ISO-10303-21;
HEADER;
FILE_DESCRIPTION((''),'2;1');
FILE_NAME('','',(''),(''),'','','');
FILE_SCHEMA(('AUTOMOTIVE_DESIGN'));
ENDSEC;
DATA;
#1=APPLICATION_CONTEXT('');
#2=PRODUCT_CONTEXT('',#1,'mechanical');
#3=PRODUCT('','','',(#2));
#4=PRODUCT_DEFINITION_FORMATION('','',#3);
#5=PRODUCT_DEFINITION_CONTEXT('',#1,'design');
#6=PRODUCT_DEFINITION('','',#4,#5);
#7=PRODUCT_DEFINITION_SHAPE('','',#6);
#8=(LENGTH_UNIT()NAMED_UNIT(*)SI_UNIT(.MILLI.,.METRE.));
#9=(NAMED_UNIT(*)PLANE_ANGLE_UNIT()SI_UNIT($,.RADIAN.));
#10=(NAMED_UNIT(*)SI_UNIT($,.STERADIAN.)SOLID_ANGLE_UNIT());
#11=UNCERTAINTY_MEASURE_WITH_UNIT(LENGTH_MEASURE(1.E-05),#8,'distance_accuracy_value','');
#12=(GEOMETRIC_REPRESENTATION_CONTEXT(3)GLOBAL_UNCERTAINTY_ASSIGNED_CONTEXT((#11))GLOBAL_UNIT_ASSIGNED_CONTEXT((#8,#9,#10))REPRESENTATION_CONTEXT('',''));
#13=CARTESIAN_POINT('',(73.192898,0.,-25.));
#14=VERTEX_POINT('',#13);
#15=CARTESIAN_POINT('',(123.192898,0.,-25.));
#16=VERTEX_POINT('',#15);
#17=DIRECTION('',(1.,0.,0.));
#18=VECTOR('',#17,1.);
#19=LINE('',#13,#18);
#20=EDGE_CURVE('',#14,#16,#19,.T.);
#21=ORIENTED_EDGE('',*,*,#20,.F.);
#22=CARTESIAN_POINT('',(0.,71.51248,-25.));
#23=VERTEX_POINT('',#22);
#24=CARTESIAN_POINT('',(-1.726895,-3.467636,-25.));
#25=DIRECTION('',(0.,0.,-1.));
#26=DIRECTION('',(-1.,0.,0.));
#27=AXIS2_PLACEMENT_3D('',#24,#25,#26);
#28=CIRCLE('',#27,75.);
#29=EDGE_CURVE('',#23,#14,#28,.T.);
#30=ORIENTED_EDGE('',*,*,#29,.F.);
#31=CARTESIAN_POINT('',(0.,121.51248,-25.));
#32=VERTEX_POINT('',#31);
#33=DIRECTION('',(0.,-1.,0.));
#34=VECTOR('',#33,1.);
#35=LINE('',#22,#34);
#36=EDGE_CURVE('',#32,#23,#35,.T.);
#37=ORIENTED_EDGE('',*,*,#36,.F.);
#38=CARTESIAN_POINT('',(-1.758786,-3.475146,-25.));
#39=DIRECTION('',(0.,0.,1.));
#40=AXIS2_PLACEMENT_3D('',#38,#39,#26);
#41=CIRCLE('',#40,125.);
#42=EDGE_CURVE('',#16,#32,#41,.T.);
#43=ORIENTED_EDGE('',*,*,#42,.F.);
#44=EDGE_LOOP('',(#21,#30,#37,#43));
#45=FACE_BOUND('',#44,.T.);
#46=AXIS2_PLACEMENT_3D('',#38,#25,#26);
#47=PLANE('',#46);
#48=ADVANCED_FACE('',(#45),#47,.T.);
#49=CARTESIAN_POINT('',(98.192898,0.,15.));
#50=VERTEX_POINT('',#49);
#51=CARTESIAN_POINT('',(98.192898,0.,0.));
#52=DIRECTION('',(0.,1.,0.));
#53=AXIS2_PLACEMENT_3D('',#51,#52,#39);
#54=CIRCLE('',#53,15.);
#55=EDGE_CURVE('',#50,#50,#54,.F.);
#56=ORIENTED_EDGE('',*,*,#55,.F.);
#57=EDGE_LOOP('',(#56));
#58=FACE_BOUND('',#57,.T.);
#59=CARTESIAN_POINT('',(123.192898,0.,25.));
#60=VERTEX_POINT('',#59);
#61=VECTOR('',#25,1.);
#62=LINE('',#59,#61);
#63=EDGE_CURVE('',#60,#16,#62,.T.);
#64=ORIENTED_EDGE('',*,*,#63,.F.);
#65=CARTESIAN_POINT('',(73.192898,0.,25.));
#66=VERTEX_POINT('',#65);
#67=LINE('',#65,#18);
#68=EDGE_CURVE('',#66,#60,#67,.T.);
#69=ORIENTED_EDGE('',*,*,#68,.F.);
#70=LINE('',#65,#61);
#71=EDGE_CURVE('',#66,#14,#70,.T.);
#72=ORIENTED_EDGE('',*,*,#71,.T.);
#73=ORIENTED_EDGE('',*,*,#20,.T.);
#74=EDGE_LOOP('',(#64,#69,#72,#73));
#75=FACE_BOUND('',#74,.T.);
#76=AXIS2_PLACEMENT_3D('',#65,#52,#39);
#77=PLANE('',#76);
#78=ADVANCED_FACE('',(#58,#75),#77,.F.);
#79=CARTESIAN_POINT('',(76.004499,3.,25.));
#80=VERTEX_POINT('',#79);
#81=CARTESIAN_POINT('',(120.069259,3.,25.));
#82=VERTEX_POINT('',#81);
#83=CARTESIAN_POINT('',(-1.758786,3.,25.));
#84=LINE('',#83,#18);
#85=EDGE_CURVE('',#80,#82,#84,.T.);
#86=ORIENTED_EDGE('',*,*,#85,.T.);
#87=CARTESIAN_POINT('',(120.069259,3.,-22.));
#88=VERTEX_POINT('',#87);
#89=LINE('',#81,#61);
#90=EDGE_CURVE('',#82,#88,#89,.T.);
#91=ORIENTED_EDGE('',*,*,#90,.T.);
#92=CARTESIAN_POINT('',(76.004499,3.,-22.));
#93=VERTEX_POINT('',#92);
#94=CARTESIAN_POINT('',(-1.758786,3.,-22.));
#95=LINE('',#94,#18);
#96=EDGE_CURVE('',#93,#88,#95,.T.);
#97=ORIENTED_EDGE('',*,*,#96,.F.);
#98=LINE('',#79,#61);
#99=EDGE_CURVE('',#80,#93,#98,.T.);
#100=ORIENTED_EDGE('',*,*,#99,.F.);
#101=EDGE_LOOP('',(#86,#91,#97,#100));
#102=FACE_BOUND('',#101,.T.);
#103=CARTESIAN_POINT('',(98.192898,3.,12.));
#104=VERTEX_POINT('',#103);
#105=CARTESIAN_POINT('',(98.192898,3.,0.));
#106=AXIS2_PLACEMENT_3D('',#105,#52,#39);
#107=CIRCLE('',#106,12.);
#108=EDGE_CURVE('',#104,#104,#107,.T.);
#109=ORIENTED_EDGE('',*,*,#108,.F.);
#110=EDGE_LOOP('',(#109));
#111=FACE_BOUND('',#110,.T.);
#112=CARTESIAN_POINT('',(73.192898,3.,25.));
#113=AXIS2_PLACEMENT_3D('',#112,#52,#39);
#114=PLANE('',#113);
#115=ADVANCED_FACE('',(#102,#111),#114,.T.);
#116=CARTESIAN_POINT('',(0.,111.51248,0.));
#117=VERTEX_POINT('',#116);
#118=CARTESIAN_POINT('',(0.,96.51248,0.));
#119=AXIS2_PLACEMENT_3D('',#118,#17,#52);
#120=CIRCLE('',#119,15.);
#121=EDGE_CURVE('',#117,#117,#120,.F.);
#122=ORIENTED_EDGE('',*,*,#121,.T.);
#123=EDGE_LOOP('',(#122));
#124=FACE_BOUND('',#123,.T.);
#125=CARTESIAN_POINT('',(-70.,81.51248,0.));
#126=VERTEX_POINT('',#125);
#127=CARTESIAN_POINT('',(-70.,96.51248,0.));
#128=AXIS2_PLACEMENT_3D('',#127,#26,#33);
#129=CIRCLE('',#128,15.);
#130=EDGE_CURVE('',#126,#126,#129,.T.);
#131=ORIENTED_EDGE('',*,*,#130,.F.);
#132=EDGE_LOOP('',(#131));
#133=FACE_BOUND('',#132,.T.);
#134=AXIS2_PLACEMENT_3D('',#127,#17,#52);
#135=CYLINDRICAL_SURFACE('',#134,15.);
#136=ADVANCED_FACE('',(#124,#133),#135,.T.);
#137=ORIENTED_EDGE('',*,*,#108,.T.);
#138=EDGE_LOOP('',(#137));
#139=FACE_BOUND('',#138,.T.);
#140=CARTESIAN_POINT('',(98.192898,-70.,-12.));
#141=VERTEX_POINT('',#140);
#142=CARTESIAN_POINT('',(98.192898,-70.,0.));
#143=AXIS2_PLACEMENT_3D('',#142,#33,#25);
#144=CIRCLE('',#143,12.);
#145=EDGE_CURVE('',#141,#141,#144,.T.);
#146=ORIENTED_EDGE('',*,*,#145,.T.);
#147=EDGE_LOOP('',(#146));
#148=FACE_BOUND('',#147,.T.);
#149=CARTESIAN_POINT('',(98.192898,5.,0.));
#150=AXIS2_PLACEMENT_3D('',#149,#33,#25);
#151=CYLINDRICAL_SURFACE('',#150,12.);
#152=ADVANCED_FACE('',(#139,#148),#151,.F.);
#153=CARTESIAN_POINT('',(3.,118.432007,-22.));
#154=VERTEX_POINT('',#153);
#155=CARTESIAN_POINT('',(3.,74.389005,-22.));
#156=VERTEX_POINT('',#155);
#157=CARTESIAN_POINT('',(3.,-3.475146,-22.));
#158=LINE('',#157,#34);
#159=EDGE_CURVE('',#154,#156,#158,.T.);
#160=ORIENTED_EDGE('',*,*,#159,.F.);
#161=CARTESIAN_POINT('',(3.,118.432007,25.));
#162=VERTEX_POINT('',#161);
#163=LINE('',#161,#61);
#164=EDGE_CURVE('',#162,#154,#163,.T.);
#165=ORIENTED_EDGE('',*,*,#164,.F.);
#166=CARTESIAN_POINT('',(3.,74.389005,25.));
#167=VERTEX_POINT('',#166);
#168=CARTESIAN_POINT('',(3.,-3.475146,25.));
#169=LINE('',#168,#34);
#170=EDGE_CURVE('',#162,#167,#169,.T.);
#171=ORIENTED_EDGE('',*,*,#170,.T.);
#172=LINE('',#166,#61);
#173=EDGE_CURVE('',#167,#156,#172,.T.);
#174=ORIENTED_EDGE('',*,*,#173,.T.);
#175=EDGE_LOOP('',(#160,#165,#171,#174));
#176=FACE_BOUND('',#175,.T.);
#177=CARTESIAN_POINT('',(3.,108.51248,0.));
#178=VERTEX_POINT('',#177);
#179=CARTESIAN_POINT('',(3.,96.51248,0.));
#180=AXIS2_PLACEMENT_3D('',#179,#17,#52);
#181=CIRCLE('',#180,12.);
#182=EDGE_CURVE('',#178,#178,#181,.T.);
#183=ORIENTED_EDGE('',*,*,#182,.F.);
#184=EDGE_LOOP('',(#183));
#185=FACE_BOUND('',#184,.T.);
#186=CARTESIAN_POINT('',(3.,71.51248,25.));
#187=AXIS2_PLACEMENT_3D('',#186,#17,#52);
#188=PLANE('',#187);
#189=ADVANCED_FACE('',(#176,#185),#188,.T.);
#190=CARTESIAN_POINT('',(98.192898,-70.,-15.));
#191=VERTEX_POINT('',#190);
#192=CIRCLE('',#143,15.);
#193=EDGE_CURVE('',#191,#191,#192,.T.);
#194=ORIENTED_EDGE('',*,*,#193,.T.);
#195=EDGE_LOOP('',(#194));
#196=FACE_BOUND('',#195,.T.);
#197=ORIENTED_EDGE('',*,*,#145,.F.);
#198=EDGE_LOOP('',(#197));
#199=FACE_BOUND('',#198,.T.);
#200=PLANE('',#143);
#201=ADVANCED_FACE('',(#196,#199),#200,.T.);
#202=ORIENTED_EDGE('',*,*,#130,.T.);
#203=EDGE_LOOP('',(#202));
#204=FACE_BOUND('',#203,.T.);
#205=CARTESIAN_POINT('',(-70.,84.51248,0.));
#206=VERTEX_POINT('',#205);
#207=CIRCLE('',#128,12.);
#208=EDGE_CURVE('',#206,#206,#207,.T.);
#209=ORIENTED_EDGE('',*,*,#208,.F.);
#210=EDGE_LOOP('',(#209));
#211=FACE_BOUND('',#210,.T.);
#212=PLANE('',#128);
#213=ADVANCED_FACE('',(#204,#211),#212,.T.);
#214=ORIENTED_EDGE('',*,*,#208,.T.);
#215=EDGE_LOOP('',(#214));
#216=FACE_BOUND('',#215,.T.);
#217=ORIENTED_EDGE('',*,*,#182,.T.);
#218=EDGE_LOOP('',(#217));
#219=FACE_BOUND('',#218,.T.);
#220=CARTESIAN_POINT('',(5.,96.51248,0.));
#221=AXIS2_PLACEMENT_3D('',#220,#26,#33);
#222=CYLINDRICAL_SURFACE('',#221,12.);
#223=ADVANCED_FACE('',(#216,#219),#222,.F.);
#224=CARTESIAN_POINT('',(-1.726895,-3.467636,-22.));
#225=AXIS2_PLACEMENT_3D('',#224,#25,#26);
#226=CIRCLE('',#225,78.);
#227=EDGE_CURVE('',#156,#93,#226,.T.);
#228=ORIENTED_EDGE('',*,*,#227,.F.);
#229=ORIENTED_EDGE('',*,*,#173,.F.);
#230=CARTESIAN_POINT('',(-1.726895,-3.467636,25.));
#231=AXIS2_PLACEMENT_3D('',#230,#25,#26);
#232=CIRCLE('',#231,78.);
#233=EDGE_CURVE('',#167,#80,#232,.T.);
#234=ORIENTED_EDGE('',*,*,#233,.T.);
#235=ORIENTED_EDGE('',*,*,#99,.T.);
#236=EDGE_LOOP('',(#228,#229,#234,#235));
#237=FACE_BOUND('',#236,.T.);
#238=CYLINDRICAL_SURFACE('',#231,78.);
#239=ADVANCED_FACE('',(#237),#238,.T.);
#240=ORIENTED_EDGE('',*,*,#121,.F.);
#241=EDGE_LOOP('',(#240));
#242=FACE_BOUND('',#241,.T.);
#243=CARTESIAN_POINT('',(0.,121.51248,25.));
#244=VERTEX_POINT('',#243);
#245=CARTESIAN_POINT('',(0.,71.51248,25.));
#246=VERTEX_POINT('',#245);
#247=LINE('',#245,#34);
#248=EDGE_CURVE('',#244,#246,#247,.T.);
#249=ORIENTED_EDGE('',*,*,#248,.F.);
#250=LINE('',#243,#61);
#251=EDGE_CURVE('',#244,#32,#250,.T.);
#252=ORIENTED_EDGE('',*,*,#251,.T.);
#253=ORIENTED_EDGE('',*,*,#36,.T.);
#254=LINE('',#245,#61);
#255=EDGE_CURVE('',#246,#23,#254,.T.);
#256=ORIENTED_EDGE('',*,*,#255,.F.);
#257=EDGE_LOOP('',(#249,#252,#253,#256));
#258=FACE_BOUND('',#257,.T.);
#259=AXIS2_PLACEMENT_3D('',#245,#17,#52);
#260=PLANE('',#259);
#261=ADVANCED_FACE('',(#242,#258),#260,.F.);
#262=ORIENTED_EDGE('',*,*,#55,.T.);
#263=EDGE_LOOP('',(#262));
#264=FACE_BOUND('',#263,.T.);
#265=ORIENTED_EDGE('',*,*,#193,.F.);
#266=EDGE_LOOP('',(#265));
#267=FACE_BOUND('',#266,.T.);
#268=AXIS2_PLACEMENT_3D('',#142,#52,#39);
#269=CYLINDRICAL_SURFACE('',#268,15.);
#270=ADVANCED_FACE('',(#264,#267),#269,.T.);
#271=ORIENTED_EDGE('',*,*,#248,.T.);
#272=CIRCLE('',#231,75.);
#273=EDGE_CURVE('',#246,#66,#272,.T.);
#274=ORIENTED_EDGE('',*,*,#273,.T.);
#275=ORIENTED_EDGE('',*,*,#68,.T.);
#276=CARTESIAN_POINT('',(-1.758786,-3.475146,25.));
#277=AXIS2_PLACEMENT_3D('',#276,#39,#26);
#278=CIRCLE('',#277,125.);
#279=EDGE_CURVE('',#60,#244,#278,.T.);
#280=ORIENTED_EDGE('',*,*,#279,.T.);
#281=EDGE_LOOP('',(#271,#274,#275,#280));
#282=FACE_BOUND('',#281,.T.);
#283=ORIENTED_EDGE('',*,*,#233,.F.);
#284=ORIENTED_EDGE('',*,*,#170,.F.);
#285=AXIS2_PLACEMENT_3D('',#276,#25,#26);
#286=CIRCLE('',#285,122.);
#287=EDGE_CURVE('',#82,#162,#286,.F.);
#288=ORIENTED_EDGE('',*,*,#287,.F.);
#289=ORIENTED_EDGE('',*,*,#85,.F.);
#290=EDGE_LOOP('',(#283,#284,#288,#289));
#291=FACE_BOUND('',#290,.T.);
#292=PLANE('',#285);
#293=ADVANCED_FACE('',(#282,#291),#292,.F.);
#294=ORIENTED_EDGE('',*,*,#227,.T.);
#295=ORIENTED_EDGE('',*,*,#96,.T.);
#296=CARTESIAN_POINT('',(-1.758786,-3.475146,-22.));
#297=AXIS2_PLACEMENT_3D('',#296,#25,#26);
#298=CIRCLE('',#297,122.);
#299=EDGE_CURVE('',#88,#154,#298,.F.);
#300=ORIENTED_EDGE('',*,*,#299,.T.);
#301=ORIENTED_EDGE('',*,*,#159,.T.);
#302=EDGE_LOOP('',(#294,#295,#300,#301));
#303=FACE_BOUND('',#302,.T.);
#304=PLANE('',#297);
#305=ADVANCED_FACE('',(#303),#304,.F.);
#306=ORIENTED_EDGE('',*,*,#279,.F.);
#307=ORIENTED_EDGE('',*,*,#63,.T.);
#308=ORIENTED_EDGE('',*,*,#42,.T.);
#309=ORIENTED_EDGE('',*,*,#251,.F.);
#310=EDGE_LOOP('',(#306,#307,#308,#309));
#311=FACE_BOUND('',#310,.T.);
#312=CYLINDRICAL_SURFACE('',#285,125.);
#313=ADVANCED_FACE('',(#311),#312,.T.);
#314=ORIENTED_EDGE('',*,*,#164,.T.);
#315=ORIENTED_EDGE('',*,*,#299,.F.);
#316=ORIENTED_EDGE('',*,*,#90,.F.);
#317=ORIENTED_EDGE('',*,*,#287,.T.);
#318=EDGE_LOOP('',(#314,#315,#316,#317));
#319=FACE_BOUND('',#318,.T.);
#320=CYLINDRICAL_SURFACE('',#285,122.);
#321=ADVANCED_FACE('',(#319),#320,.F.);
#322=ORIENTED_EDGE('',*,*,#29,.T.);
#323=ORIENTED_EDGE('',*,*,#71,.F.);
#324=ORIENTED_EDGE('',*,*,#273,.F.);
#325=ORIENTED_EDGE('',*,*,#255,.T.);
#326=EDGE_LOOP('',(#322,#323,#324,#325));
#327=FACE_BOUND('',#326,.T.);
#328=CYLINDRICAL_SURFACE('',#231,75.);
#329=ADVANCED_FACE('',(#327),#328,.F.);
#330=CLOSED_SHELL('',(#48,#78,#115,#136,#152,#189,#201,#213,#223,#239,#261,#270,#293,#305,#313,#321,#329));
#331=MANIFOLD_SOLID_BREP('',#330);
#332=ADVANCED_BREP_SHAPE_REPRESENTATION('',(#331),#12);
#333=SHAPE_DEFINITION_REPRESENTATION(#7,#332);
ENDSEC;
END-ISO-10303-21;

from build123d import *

# Parameters (mm, degrees)
BOSS_EXTRUDE1_DEPTH = 25
SHELL1_T            = -3
SKETCH2_R           = 15
BOSS_EXTRUDE2_DEPTH = 70
SKETCH3_R           = 12
CUT_EXTRUDE1_DEPTH  = 75
SKETCH4_R           = 15
BOSS_EXTRUDE3_DEPTH = 70
SKETCH5_R           = 12
CUT_EXTRUDE2_DEPTH  = 75


with BuildPart() as part:
    # Sketch1 → Boss-Extrude1 (new body, symmetric)
    with BuildSketch(Plane.XY):
        with BuildLine():
            Line((0, 71.51248035), (0, 121.51248035))
            ThreePointArc((0, 121.51248035), (86.020520014, 85.518075871), (123.192898424, 0))
            Line((123.192898424, 0), (73.192898424, 0))
            ThreePointArc((73.192898424, 0), (50.686723581, 50.177611321), (0, 71.51248035))
        make_face()
    extrude(amount=BOSS_EXTRUDE1_DEPTH, both=True)

    # Shell1
    shell1_openings = [part.faces().sort_by_distance(p)[0] for p in [
        (58.725035505, 58.052041885, 25),
    ]]
    offset(amount=SHELL1_T, openings=shell1_openings, kind=Kind.INTERSECTION)

    # Sketch2 → Boss-Extrude2 (add)
    with BuildSketch(Plane.ZY):
        with Locations((0, 96.51248035)):
            Circle(SKETCH2_R)
    extrude(amount=BOSS_EXTRUDE2_DEPTH)

    # Sketch3 → Cut-Extrude1 (cut)
    with BuildSketch(Plane.ZY.offset(70)):
        with Locations((0, 96.51248035)):
            Circle(SKETCH3_R)
    extrude(amount=-CUT_EXTRUDE1_DEPTH, mode=Mode.SUBTRACT)

    # Sketch4 → Boss-Extrude3 (add)
    with BuildSketch(Plane.XZ):
        with Locations((98.192898424, 0)):
            Circle(SKETCH4_R)
    extrude(amount=BOSS_EXTRUDE3_DEPTH)

    # Sketch5 → Cut-Extrude2 (cut)
    with BuildSketch(Plane.XZ.offset(70)):
        with Locations((98.192898424, 0)):
            Circle(SKETCH5_R)
    extrude(amount=-CUT_EXTRUDE2_DEPTH, mode=Mode.SUBTRACT)


solid = part.part
